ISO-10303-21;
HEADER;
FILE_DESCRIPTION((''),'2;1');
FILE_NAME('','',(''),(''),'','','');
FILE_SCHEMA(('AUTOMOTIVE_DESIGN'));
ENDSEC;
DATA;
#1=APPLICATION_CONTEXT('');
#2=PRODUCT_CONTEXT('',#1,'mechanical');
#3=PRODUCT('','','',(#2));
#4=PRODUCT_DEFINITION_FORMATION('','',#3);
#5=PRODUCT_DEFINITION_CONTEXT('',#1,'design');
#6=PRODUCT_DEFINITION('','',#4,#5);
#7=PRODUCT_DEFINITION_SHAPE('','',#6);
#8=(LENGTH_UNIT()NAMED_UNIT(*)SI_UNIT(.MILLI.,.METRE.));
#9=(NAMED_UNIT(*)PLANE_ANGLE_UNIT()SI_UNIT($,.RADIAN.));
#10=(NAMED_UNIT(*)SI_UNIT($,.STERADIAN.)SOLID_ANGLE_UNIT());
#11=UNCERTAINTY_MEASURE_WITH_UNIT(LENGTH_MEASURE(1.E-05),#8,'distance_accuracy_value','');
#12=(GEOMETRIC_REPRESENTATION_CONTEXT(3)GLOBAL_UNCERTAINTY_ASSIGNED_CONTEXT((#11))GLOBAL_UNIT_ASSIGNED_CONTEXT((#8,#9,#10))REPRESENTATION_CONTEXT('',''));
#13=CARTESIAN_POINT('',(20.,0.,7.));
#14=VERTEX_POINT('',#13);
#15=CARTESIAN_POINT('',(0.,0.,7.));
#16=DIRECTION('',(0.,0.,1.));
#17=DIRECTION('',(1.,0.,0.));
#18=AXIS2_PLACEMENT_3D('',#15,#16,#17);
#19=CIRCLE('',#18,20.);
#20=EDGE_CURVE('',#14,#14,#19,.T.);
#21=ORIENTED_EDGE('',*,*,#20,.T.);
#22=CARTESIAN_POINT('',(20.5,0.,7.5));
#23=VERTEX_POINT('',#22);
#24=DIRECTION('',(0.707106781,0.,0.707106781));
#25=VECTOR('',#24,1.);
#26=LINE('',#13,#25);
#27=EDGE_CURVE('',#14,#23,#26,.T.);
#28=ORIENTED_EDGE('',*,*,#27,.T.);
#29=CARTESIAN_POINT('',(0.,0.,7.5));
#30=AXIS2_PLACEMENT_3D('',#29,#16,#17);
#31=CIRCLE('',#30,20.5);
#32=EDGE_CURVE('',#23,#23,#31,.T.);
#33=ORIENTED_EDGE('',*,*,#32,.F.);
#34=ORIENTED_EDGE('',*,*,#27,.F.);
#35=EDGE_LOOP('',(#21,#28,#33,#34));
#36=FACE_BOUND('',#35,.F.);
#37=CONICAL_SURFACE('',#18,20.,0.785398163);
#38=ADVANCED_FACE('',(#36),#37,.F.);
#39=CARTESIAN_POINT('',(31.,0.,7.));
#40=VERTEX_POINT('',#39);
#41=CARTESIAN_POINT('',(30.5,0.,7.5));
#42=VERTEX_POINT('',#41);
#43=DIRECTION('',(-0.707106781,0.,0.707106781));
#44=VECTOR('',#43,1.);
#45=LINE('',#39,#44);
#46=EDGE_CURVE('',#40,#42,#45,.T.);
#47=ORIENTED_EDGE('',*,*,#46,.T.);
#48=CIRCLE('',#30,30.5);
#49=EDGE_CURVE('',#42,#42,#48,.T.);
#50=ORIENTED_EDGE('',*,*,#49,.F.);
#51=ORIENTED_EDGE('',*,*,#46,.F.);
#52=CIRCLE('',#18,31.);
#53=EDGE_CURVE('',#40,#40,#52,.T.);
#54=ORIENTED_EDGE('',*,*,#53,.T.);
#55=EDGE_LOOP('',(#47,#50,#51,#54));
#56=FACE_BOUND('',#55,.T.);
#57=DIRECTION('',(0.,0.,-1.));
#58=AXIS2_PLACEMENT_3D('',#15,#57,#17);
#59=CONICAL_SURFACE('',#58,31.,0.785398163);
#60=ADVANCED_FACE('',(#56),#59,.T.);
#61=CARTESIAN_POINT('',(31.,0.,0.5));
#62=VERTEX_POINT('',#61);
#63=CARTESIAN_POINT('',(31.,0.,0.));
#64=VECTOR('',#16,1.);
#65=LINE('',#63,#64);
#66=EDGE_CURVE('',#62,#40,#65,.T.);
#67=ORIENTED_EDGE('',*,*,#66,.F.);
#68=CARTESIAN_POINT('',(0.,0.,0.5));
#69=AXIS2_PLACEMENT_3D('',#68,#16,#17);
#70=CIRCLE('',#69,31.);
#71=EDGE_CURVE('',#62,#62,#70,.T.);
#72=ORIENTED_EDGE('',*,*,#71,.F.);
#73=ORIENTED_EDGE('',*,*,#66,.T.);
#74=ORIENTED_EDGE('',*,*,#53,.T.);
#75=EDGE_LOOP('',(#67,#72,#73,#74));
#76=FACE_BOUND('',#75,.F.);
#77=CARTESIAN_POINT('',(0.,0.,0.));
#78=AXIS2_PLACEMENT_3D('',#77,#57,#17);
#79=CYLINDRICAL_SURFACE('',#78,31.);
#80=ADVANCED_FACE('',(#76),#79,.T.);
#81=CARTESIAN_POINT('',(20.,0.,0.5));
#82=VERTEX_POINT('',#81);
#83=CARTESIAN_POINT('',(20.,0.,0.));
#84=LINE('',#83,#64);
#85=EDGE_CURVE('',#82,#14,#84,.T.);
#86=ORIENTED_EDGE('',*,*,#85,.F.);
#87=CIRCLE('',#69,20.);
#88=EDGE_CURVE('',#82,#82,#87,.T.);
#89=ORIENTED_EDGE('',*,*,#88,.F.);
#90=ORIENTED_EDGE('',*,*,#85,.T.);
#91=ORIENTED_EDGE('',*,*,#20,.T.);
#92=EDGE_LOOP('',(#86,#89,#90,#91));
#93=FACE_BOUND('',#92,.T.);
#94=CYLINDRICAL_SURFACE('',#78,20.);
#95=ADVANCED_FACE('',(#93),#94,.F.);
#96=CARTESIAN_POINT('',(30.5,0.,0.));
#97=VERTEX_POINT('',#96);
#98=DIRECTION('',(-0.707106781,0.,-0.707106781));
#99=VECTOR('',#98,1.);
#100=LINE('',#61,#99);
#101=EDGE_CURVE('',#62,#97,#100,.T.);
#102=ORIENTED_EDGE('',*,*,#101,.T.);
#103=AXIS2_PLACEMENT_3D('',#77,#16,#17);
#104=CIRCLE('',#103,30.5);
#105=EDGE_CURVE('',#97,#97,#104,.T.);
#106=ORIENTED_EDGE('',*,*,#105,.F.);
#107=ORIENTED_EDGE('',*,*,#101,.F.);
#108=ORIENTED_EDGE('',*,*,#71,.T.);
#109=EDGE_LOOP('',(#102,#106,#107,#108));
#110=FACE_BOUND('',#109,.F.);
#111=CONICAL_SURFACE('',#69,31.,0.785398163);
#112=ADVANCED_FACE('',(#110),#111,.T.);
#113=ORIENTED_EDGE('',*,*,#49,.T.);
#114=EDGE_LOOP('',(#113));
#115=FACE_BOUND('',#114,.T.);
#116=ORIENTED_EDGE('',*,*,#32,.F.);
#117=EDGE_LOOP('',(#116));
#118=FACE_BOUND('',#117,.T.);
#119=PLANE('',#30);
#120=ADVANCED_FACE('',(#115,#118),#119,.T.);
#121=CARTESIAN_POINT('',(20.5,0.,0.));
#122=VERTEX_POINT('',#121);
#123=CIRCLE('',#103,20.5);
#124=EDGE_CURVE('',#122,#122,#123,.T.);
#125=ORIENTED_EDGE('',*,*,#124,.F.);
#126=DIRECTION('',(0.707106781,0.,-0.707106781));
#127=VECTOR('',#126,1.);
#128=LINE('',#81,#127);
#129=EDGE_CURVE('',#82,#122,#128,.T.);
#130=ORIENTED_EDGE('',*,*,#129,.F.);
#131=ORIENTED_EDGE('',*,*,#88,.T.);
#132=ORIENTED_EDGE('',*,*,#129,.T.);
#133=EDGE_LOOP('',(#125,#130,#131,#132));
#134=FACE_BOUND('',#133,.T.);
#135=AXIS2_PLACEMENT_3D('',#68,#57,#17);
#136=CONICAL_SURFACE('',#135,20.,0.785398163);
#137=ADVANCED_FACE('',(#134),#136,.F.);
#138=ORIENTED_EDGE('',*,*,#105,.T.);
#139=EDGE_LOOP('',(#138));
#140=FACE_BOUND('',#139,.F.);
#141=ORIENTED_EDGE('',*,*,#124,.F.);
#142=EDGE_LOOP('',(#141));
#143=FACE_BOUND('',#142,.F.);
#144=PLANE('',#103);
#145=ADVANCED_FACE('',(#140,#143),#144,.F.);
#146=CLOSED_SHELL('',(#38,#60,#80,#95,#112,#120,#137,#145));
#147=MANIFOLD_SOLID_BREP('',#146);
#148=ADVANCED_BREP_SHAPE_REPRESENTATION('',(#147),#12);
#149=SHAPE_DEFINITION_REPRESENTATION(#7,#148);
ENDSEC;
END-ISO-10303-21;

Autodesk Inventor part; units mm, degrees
ref_plane "YZ Plane" through (0, 0, 0) normal (1, 0, 0) x (0, 1, 0)
ref_plane "XZ Plane" through (0, 0, 0) normal (0, 1, 0) x (-1, 0, 0)
ref_plane "XY Plane" through (0, 0, 0) normal (0, 0, 1) x (1, 0, 0)
sketch "草图1" plane through (0, 0, 0) normal (0, 0, 1) x (1, 0, 0)
  circle A0 centre (0, 0) radius 31
  circle A1 centre (0, 0) radius 20
extrude "拉伸1" add sketch "草图1" along normal blind 7.5
chamfer "倒角1" distance 0.5 angle 45 4 edges at (-20, 0, 7.5) (-20, 0, 0) (-31, 0, 7.5) (-31, 0, 0)
properties part number "my_attempt_v2"
